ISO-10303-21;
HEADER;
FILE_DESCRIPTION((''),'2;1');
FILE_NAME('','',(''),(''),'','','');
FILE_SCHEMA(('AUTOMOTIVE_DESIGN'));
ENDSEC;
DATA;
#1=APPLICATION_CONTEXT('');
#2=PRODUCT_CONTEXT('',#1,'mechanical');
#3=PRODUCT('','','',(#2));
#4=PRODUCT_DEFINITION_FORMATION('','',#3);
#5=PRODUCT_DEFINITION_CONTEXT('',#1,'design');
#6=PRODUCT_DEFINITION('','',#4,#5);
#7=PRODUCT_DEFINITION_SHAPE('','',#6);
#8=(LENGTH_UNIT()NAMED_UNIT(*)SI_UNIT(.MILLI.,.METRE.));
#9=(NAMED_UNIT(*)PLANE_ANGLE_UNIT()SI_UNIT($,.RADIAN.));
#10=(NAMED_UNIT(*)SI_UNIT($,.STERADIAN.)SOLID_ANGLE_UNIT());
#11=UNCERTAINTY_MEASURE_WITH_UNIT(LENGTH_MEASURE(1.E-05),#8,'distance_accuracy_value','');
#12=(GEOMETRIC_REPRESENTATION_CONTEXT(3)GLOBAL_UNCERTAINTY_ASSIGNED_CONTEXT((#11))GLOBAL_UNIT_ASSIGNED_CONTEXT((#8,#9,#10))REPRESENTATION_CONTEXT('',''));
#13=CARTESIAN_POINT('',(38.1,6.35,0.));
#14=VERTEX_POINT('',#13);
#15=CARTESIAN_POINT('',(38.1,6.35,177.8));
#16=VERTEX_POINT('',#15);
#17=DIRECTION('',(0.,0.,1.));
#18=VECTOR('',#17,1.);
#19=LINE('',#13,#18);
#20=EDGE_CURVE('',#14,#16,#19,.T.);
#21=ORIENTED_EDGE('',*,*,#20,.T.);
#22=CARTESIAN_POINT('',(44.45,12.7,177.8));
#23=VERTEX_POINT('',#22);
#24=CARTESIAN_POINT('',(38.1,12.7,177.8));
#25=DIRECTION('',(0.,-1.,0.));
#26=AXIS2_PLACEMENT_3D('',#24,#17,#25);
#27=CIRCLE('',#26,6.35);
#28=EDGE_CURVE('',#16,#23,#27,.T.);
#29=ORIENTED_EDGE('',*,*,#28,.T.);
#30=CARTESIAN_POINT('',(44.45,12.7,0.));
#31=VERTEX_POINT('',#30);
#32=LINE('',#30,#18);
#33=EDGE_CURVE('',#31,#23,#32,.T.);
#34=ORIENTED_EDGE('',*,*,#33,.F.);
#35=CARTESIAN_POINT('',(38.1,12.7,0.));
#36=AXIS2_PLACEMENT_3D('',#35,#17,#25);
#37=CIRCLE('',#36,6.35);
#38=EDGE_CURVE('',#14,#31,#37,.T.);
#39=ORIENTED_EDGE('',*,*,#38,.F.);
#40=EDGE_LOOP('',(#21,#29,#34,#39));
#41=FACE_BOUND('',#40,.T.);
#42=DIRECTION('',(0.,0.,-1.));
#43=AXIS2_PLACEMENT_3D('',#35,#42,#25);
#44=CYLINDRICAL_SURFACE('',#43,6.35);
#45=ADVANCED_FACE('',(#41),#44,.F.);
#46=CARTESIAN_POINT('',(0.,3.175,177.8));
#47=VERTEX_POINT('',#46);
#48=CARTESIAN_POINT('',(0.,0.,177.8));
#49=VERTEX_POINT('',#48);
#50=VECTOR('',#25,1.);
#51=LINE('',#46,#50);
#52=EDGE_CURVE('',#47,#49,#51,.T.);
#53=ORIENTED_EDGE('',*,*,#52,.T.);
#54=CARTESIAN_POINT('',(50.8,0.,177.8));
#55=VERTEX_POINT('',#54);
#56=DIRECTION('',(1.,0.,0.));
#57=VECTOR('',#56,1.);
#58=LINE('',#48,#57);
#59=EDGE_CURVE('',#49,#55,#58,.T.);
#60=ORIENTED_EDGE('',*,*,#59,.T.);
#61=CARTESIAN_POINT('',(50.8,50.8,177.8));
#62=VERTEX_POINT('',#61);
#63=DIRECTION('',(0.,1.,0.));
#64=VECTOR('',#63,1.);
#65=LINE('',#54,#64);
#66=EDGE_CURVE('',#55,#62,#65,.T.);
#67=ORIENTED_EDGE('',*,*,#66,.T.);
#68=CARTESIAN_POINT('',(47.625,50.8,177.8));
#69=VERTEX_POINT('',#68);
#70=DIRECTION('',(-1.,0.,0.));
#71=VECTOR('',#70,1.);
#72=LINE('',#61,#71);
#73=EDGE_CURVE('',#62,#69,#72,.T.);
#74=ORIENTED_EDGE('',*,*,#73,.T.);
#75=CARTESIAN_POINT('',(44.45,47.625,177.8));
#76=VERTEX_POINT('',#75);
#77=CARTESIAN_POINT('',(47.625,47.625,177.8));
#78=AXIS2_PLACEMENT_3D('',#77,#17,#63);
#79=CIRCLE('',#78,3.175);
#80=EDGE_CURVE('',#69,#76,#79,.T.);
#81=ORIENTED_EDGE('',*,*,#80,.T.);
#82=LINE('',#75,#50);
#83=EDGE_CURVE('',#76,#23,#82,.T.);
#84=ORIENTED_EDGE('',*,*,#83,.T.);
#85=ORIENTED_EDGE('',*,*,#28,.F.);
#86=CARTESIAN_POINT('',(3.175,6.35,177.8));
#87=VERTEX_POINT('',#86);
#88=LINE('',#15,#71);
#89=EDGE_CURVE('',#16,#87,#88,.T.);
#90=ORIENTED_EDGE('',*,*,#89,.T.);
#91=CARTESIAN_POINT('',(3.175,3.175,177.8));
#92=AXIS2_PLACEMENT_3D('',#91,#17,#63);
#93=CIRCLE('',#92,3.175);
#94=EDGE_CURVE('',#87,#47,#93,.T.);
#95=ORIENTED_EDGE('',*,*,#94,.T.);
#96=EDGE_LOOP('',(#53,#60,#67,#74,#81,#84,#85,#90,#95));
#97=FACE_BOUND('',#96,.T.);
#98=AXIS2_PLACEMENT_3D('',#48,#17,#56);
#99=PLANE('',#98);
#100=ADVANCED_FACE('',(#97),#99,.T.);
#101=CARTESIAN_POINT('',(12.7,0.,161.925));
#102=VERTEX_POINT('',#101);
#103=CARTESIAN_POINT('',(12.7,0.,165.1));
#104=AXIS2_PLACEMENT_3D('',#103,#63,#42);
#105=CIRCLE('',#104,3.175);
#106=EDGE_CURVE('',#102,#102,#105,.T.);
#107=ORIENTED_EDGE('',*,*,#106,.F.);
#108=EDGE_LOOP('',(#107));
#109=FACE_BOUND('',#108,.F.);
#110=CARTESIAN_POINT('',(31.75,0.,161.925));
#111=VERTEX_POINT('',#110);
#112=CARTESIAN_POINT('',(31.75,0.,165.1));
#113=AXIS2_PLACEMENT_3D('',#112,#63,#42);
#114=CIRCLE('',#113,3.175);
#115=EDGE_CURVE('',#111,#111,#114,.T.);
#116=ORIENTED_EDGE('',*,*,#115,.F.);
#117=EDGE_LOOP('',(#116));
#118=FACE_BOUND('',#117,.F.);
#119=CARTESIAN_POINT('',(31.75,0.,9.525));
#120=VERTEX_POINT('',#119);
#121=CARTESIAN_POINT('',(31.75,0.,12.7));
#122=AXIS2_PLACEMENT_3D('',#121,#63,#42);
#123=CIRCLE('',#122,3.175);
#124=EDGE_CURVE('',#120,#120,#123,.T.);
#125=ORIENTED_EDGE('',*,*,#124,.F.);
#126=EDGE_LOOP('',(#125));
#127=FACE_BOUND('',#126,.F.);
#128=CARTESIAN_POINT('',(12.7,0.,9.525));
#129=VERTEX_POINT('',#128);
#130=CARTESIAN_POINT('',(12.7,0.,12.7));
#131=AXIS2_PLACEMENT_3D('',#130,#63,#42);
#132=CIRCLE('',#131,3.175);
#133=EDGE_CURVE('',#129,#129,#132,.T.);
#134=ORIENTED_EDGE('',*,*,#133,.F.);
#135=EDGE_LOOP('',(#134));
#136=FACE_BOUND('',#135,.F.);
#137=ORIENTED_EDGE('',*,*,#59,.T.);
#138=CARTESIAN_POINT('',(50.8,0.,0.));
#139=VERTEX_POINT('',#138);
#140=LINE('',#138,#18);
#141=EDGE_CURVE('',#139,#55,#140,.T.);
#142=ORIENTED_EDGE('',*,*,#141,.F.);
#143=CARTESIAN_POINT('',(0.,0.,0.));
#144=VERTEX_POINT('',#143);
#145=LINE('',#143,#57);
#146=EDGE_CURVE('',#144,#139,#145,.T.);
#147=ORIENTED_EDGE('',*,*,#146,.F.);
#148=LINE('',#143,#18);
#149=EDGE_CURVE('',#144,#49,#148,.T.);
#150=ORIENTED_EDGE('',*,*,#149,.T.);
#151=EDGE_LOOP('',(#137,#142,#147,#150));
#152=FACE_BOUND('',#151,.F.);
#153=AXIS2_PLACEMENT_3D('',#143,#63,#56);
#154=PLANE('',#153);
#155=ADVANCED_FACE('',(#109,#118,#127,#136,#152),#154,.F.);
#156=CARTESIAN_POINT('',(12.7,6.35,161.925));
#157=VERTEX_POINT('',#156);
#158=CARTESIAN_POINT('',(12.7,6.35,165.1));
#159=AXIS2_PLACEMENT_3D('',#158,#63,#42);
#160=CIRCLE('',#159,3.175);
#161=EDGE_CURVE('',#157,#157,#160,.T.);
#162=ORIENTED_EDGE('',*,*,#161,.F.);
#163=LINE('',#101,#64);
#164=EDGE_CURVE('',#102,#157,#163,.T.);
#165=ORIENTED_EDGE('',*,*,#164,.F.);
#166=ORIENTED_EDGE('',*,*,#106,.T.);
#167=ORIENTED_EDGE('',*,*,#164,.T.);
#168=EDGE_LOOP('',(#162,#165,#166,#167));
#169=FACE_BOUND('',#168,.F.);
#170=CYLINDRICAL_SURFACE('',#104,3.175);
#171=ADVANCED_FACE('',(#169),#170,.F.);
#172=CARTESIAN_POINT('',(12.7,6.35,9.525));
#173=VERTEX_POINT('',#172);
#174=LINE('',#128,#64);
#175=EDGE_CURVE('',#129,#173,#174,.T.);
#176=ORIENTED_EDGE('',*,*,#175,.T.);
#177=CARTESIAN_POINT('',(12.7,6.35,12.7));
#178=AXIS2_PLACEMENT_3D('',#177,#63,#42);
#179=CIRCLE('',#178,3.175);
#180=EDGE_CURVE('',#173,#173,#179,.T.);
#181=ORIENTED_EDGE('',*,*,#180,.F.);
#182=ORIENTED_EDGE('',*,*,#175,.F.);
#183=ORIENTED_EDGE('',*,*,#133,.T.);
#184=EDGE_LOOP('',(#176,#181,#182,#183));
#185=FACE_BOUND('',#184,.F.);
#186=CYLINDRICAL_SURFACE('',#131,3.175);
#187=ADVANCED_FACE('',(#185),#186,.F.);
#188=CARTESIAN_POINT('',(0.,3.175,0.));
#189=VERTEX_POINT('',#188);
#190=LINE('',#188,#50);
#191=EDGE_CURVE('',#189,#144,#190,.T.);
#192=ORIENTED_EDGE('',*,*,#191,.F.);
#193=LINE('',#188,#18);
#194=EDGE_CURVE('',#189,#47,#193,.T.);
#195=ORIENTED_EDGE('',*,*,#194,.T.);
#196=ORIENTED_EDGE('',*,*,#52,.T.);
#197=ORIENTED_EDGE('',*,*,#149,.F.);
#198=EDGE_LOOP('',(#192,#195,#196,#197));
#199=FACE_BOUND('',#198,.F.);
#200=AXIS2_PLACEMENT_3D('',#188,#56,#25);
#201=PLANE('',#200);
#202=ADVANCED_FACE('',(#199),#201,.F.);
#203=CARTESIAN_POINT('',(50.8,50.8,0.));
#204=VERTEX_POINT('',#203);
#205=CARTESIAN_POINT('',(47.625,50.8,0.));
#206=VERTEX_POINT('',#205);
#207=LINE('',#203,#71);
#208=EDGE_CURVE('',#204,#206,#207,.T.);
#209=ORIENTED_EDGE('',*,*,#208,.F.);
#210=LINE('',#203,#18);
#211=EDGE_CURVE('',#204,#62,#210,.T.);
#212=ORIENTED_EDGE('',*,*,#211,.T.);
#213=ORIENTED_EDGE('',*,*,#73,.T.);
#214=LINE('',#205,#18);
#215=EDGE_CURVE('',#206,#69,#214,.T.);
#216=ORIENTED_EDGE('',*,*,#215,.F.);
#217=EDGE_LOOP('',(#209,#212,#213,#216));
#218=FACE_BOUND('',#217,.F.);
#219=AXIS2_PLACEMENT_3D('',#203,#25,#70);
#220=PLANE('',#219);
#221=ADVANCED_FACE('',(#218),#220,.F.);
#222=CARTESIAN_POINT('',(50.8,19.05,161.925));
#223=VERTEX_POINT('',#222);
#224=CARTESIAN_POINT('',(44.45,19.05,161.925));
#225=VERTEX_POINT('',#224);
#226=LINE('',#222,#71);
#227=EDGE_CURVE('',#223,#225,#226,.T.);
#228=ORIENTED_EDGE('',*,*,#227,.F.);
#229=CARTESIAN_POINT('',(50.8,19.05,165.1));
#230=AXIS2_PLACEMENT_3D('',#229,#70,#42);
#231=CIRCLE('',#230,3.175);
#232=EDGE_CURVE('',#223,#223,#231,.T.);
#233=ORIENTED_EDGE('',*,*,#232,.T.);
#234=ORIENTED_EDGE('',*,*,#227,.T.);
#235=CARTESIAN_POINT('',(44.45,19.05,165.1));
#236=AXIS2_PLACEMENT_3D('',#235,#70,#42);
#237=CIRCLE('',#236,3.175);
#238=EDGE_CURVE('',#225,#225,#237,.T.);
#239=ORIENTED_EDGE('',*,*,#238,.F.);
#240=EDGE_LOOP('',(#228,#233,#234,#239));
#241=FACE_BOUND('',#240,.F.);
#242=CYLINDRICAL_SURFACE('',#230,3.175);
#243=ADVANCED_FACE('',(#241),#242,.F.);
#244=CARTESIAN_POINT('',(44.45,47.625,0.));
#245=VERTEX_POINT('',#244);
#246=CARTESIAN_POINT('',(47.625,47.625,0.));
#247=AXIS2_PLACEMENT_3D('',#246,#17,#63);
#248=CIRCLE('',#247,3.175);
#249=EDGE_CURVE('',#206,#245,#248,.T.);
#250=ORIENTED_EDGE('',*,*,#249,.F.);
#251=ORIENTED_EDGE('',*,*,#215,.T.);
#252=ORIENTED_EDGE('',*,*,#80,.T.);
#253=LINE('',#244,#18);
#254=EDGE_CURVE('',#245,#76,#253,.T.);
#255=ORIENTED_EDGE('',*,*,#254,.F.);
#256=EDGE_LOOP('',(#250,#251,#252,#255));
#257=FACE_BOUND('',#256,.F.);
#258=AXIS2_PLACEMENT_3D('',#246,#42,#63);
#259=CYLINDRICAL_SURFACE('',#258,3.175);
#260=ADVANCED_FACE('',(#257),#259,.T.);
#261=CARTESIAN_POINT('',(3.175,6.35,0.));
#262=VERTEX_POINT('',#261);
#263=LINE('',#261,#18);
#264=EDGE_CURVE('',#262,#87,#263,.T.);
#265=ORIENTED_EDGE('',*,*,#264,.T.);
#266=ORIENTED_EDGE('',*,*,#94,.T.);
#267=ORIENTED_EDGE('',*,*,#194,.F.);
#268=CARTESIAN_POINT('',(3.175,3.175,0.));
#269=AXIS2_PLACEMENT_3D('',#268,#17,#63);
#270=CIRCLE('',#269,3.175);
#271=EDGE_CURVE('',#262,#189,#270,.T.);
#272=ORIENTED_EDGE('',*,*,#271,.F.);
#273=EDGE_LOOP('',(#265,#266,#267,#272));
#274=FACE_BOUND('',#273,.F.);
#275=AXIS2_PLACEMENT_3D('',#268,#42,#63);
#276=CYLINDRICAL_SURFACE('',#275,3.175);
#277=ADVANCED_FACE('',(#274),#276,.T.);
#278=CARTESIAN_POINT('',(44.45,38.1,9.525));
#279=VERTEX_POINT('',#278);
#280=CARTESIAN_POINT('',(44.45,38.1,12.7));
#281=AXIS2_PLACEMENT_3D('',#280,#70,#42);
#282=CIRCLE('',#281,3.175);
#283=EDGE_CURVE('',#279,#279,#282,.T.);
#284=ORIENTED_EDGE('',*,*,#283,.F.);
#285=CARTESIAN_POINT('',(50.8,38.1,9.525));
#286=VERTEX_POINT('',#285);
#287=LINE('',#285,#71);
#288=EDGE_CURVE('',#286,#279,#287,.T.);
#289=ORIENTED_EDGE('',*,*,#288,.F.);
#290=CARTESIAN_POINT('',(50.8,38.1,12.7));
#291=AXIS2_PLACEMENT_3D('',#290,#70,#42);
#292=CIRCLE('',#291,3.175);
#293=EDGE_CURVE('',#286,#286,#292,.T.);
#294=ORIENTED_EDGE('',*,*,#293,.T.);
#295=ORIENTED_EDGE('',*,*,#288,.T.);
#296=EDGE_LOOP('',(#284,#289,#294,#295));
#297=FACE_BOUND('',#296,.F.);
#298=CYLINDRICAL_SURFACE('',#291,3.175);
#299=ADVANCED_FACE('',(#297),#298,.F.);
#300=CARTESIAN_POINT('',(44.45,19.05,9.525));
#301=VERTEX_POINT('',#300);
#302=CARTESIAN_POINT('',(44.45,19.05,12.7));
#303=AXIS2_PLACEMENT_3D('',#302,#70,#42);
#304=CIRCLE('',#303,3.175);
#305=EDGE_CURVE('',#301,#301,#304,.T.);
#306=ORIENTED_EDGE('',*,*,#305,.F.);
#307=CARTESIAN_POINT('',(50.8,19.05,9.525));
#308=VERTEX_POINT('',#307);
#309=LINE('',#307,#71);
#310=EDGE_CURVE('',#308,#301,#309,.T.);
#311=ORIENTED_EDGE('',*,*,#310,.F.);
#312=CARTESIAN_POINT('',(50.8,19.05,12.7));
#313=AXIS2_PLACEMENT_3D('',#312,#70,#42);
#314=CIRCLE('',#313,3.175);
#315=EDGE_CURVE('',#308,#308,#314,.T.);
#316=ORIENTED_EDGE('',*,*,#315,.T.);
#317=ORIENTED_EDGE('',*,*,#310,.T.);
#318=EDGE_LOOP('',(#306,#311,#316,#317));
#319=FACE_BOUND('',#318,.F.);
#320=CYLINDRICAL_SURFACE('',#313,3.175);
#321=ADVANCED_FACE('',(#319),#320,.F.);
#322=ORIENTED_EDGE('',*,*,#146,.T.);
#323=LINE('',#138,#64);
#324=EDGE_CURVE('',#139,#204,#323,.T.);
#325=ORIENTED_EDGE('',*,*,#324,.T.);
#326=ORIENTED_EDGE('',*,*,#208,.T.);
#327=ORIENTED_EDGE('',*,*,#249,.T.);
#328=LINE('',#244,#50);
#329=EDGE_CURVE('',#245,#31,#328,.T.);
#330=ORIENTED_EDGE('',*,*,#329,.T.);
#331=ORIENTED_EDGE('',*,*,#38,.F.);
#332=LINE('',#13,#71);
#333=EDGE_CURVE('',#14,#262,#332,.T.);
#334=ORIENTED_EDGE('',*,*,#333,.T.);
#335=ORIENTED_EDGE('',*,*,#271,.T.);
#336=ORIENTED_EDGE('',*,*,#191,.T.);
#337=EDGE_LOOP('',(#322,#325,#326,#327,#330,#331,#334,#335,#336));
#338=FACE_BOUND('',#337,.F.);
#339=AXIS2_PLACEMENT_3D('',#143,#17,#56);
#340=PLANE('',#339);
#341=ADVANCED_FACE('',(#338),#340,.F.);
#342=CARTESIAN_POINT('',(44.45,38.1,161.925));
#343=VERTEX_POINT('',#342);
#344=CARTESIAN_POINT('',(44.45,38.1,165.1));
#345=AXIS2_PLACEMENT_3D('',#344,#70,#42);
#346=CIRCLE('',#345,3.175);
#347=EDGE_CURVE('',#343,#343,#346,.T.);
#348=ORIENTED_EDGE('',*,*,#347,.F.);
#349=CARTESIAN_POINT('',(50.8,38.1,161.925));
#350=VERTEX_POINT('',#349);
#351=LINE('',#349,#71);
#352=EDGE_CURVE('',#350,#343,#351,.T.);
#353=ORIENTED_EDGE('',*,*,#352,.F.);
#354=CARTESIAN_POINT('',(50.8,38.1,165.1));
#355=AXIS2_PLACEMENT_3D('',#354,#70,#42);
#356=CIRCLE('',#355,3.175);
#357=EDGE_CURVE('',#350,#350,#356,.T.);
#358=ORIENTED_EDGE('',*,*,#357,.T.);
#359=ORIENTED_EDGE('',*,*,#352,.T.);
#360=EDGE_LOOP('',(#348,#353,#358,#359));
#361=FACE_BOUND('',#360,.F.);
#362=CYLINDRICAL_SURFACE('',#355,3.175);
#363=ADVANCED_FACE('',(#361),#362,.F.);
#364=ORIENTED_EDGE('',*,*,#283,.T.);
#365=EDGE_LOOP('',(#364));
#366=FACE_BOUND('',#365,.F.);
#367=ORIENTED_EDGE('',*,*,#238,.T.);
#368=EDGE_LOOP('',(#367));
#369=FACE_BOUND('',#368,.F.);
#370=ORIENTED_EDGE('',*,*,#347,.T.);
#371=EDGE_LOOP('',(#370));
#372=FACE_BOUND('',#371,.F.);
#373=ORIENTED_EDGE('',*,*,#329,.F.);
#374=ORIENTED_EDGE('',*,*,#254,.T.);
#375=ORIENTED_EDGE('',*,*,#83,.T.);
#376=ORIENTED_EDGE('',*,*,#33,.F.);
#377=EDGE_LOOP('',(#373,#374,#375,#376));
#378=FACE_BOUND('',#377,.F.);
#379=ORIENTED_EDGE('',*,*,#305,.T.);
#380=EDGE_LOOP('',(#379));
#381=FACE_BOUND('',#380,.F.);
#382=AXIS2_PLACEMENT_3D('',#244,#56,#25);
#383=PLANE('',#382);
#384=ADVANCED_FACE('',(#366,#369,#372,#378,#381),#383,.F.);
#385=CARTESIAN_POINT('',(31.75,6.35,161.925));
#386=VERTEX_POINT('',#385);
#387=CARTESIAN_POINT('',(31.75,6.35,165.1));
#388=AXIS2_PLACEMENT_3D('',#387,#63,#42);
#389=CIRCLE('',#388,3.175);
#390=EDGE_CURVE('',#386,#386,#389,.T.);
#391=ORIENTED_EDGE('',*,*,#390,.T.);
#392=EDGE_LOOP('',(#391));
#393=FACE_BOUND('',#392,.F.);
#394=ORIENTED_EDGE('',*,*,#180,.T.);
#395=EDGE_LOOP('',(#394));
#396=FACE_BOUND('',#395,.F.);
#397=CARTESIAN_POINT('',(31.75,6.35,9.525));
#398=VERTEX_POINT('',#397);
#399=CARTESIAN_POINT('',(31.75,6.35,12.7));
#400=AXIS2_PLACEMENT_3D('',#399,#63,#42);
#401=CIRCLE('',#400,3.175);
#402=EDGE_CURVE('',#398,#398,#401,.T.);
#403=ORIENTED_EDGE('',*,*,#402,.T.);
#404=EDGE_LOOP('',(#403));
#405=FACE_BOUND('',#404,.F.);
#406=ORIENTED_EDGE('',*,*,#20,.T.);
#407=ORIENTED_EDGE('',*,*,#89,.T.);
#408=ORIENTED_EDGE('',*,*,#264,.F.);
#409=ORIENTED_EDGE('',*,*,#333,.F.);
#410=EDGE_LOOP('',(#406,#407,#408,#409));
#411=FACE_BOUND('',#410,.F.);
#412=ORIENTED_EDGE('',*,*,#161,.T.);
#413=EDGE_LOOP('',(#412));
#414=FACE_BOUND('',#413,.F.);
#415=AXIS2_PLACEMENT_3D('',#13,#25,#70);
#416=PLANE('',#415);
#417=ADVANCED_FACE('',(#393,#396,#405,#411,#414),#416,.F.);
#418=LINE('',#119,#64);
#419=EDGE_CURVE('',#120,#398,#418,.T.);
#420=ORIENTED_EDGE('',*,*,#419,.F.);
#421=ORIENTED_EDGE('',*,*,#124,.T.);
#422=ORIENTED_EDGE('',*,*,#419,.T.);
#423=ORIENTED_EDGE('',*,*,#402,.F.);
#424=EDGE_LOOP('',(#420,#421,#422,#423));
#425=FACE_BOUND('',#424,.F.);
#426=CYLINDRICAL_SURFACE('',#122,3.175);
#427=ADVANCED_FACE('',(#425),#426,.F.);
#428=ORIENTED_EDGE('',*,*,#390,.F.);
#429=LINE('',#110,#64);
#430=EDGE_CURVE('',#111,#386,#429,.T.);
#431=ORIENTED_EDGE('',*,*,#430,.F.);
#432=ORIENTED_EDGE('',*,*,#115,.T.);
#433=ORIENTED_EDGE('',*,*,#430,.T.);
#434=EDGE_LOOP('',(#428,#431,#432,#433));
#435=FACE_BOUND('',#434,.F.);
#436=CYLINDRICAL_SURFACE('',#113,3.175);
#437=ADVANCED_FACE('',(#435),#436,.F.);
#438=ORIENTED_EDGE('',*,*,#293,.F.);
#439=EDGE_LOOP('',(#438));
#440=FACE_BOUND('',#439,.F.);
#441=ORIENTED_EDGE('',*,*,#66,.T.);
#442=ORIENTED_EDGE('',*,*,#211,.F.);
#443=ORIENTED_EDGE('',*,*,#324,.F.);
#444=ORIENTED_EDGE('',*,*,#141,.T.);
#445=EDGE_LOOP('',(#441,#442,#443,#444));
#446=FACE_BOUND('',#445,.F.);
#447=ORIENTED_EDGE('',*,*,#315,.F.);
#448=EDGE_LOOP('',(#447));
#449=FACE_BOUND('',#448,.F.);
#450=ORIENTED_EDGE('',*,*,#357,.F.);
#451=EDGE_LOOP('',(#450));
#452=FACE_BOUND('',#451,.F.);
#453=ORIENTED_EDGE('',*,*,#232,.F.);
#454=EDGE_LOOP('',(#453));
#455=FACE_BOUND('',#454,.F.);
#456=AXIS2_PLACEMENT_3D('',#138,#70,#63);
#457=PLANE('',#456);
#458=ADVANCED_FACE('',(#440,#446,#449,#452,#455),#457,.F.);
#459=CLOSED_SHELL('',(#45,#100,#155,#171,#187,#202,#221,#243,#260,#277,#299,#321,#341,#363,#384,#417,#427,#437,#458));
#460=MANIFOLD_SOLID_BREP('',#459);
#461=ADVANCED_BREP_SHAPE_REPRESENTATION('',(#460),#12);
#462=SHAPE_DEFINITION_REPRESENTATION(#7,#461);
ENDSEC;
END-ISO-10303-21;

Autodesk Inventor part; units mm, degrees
ref_plane "YZ Plane" through (0, 0, 0) normal (1, 0, 0) x (0, 1, 0)
ref_plane "XZ Plane" through (0, 0, 0) normal (0, 1, 0) x (-1, 0, 0)
ref_plane "XY Plane" through (0, 0, 0) normal (0, 0, 1) x (1, 0, 0)
sketch "Sketch1" plane through (0, 0, 0) normal (0, 0, 1) x (1, 0, 0)
  line L0 (0, 0) -> (50.8, 0)
  line L1 (50.8, 0) -> (50.8, 50.8)
  line L2 (50.8, 50.8) -> (47.625, 50.8)
  line L3 (44.45, 47.625) -> (44.45, 12.7)
  line L4 (38.1, 6.35) -> (3.175, 6.35)
  line L5 (0, 3.175) -> (0, 0)
  arc A0 (3.175, 6.35) -> (0, 3.175) centre (3.175, 3.175) ccw
  arc A1 (47.625, 50.8) -> (44.45, 47.625) centre (47.625, 47.625) ccw
  arc A2 (38.1, 6.35) -> (44.45, 12.7) centre (38.1, 12.7) ccw
  dimension "d0" = 50.8
  dimension "d1" = 6.35
  dimension "d2" = 3.175
  dimension "d3" = 6.35
extrude "Extrusion1" add sketch "Sketch1" along normal blind 177.8
sketch "Sketch2" plane through (0, 0, 0) normal (0, -1, 0) x (1, 0, 0)
  line L0 (0, 0) -> (50.8, 0) projected
  line L1 (0, 177.8) -> (50.8, 177.8) projected
  line L2 (0, 0) -> (0, 177.8) projected
  point P0 (12.7, 165.1)
  point P1 (31.75, 165.1)
  point P2 (12.7, 12.7)
  point P3 (31.75, 12.7)
  dimension "d6" = 19.05
  dimension "d7" = 12.7
  dimension "d8" = 12.7
  dimension "d9" = 12.7
hole "Hole1" at (12.7, 0, 165.1) at (31.75, 0, 165.1) at (12.7, 0, 12.7) at (31.75, 0, 12.7) direction (0, 1, 0) diameter 6.35 end through all
sketch "Sketch3" plane through (50.8, 0, 0) normal (1, 0, 0) x (0, 0, -1)
  line L0 (0, 0) -> (0, 50.8) projected
  line L1 (0, 50.8) -> (-177.8, 50.8) projected
  line L2 (-177.8, 0) -> (-177.8, 50.8) projected
  point P0 (-165.1, 19.05)
  point P1 (-165.1, 38.1)
  point P2 (-12.7, 19.05)
  point P3 (-12.7, 38.1)
  dimension "d17" = 19.05
  dimension "d18" = 12.7
  dimension "d19" = 12.7
  dimension "d20" = 12.7
hole "Hole2" at (50.8, 19.05, 165.1) at (50.8, 38.1, 165.1) at (50.8, 19.05, 12.7) at (50.8, 38.1, 12.7) direction (-1, 0, 0) diameter 6.35 end through all
properties part number "Right Angle" material "Aluminum 6061"
